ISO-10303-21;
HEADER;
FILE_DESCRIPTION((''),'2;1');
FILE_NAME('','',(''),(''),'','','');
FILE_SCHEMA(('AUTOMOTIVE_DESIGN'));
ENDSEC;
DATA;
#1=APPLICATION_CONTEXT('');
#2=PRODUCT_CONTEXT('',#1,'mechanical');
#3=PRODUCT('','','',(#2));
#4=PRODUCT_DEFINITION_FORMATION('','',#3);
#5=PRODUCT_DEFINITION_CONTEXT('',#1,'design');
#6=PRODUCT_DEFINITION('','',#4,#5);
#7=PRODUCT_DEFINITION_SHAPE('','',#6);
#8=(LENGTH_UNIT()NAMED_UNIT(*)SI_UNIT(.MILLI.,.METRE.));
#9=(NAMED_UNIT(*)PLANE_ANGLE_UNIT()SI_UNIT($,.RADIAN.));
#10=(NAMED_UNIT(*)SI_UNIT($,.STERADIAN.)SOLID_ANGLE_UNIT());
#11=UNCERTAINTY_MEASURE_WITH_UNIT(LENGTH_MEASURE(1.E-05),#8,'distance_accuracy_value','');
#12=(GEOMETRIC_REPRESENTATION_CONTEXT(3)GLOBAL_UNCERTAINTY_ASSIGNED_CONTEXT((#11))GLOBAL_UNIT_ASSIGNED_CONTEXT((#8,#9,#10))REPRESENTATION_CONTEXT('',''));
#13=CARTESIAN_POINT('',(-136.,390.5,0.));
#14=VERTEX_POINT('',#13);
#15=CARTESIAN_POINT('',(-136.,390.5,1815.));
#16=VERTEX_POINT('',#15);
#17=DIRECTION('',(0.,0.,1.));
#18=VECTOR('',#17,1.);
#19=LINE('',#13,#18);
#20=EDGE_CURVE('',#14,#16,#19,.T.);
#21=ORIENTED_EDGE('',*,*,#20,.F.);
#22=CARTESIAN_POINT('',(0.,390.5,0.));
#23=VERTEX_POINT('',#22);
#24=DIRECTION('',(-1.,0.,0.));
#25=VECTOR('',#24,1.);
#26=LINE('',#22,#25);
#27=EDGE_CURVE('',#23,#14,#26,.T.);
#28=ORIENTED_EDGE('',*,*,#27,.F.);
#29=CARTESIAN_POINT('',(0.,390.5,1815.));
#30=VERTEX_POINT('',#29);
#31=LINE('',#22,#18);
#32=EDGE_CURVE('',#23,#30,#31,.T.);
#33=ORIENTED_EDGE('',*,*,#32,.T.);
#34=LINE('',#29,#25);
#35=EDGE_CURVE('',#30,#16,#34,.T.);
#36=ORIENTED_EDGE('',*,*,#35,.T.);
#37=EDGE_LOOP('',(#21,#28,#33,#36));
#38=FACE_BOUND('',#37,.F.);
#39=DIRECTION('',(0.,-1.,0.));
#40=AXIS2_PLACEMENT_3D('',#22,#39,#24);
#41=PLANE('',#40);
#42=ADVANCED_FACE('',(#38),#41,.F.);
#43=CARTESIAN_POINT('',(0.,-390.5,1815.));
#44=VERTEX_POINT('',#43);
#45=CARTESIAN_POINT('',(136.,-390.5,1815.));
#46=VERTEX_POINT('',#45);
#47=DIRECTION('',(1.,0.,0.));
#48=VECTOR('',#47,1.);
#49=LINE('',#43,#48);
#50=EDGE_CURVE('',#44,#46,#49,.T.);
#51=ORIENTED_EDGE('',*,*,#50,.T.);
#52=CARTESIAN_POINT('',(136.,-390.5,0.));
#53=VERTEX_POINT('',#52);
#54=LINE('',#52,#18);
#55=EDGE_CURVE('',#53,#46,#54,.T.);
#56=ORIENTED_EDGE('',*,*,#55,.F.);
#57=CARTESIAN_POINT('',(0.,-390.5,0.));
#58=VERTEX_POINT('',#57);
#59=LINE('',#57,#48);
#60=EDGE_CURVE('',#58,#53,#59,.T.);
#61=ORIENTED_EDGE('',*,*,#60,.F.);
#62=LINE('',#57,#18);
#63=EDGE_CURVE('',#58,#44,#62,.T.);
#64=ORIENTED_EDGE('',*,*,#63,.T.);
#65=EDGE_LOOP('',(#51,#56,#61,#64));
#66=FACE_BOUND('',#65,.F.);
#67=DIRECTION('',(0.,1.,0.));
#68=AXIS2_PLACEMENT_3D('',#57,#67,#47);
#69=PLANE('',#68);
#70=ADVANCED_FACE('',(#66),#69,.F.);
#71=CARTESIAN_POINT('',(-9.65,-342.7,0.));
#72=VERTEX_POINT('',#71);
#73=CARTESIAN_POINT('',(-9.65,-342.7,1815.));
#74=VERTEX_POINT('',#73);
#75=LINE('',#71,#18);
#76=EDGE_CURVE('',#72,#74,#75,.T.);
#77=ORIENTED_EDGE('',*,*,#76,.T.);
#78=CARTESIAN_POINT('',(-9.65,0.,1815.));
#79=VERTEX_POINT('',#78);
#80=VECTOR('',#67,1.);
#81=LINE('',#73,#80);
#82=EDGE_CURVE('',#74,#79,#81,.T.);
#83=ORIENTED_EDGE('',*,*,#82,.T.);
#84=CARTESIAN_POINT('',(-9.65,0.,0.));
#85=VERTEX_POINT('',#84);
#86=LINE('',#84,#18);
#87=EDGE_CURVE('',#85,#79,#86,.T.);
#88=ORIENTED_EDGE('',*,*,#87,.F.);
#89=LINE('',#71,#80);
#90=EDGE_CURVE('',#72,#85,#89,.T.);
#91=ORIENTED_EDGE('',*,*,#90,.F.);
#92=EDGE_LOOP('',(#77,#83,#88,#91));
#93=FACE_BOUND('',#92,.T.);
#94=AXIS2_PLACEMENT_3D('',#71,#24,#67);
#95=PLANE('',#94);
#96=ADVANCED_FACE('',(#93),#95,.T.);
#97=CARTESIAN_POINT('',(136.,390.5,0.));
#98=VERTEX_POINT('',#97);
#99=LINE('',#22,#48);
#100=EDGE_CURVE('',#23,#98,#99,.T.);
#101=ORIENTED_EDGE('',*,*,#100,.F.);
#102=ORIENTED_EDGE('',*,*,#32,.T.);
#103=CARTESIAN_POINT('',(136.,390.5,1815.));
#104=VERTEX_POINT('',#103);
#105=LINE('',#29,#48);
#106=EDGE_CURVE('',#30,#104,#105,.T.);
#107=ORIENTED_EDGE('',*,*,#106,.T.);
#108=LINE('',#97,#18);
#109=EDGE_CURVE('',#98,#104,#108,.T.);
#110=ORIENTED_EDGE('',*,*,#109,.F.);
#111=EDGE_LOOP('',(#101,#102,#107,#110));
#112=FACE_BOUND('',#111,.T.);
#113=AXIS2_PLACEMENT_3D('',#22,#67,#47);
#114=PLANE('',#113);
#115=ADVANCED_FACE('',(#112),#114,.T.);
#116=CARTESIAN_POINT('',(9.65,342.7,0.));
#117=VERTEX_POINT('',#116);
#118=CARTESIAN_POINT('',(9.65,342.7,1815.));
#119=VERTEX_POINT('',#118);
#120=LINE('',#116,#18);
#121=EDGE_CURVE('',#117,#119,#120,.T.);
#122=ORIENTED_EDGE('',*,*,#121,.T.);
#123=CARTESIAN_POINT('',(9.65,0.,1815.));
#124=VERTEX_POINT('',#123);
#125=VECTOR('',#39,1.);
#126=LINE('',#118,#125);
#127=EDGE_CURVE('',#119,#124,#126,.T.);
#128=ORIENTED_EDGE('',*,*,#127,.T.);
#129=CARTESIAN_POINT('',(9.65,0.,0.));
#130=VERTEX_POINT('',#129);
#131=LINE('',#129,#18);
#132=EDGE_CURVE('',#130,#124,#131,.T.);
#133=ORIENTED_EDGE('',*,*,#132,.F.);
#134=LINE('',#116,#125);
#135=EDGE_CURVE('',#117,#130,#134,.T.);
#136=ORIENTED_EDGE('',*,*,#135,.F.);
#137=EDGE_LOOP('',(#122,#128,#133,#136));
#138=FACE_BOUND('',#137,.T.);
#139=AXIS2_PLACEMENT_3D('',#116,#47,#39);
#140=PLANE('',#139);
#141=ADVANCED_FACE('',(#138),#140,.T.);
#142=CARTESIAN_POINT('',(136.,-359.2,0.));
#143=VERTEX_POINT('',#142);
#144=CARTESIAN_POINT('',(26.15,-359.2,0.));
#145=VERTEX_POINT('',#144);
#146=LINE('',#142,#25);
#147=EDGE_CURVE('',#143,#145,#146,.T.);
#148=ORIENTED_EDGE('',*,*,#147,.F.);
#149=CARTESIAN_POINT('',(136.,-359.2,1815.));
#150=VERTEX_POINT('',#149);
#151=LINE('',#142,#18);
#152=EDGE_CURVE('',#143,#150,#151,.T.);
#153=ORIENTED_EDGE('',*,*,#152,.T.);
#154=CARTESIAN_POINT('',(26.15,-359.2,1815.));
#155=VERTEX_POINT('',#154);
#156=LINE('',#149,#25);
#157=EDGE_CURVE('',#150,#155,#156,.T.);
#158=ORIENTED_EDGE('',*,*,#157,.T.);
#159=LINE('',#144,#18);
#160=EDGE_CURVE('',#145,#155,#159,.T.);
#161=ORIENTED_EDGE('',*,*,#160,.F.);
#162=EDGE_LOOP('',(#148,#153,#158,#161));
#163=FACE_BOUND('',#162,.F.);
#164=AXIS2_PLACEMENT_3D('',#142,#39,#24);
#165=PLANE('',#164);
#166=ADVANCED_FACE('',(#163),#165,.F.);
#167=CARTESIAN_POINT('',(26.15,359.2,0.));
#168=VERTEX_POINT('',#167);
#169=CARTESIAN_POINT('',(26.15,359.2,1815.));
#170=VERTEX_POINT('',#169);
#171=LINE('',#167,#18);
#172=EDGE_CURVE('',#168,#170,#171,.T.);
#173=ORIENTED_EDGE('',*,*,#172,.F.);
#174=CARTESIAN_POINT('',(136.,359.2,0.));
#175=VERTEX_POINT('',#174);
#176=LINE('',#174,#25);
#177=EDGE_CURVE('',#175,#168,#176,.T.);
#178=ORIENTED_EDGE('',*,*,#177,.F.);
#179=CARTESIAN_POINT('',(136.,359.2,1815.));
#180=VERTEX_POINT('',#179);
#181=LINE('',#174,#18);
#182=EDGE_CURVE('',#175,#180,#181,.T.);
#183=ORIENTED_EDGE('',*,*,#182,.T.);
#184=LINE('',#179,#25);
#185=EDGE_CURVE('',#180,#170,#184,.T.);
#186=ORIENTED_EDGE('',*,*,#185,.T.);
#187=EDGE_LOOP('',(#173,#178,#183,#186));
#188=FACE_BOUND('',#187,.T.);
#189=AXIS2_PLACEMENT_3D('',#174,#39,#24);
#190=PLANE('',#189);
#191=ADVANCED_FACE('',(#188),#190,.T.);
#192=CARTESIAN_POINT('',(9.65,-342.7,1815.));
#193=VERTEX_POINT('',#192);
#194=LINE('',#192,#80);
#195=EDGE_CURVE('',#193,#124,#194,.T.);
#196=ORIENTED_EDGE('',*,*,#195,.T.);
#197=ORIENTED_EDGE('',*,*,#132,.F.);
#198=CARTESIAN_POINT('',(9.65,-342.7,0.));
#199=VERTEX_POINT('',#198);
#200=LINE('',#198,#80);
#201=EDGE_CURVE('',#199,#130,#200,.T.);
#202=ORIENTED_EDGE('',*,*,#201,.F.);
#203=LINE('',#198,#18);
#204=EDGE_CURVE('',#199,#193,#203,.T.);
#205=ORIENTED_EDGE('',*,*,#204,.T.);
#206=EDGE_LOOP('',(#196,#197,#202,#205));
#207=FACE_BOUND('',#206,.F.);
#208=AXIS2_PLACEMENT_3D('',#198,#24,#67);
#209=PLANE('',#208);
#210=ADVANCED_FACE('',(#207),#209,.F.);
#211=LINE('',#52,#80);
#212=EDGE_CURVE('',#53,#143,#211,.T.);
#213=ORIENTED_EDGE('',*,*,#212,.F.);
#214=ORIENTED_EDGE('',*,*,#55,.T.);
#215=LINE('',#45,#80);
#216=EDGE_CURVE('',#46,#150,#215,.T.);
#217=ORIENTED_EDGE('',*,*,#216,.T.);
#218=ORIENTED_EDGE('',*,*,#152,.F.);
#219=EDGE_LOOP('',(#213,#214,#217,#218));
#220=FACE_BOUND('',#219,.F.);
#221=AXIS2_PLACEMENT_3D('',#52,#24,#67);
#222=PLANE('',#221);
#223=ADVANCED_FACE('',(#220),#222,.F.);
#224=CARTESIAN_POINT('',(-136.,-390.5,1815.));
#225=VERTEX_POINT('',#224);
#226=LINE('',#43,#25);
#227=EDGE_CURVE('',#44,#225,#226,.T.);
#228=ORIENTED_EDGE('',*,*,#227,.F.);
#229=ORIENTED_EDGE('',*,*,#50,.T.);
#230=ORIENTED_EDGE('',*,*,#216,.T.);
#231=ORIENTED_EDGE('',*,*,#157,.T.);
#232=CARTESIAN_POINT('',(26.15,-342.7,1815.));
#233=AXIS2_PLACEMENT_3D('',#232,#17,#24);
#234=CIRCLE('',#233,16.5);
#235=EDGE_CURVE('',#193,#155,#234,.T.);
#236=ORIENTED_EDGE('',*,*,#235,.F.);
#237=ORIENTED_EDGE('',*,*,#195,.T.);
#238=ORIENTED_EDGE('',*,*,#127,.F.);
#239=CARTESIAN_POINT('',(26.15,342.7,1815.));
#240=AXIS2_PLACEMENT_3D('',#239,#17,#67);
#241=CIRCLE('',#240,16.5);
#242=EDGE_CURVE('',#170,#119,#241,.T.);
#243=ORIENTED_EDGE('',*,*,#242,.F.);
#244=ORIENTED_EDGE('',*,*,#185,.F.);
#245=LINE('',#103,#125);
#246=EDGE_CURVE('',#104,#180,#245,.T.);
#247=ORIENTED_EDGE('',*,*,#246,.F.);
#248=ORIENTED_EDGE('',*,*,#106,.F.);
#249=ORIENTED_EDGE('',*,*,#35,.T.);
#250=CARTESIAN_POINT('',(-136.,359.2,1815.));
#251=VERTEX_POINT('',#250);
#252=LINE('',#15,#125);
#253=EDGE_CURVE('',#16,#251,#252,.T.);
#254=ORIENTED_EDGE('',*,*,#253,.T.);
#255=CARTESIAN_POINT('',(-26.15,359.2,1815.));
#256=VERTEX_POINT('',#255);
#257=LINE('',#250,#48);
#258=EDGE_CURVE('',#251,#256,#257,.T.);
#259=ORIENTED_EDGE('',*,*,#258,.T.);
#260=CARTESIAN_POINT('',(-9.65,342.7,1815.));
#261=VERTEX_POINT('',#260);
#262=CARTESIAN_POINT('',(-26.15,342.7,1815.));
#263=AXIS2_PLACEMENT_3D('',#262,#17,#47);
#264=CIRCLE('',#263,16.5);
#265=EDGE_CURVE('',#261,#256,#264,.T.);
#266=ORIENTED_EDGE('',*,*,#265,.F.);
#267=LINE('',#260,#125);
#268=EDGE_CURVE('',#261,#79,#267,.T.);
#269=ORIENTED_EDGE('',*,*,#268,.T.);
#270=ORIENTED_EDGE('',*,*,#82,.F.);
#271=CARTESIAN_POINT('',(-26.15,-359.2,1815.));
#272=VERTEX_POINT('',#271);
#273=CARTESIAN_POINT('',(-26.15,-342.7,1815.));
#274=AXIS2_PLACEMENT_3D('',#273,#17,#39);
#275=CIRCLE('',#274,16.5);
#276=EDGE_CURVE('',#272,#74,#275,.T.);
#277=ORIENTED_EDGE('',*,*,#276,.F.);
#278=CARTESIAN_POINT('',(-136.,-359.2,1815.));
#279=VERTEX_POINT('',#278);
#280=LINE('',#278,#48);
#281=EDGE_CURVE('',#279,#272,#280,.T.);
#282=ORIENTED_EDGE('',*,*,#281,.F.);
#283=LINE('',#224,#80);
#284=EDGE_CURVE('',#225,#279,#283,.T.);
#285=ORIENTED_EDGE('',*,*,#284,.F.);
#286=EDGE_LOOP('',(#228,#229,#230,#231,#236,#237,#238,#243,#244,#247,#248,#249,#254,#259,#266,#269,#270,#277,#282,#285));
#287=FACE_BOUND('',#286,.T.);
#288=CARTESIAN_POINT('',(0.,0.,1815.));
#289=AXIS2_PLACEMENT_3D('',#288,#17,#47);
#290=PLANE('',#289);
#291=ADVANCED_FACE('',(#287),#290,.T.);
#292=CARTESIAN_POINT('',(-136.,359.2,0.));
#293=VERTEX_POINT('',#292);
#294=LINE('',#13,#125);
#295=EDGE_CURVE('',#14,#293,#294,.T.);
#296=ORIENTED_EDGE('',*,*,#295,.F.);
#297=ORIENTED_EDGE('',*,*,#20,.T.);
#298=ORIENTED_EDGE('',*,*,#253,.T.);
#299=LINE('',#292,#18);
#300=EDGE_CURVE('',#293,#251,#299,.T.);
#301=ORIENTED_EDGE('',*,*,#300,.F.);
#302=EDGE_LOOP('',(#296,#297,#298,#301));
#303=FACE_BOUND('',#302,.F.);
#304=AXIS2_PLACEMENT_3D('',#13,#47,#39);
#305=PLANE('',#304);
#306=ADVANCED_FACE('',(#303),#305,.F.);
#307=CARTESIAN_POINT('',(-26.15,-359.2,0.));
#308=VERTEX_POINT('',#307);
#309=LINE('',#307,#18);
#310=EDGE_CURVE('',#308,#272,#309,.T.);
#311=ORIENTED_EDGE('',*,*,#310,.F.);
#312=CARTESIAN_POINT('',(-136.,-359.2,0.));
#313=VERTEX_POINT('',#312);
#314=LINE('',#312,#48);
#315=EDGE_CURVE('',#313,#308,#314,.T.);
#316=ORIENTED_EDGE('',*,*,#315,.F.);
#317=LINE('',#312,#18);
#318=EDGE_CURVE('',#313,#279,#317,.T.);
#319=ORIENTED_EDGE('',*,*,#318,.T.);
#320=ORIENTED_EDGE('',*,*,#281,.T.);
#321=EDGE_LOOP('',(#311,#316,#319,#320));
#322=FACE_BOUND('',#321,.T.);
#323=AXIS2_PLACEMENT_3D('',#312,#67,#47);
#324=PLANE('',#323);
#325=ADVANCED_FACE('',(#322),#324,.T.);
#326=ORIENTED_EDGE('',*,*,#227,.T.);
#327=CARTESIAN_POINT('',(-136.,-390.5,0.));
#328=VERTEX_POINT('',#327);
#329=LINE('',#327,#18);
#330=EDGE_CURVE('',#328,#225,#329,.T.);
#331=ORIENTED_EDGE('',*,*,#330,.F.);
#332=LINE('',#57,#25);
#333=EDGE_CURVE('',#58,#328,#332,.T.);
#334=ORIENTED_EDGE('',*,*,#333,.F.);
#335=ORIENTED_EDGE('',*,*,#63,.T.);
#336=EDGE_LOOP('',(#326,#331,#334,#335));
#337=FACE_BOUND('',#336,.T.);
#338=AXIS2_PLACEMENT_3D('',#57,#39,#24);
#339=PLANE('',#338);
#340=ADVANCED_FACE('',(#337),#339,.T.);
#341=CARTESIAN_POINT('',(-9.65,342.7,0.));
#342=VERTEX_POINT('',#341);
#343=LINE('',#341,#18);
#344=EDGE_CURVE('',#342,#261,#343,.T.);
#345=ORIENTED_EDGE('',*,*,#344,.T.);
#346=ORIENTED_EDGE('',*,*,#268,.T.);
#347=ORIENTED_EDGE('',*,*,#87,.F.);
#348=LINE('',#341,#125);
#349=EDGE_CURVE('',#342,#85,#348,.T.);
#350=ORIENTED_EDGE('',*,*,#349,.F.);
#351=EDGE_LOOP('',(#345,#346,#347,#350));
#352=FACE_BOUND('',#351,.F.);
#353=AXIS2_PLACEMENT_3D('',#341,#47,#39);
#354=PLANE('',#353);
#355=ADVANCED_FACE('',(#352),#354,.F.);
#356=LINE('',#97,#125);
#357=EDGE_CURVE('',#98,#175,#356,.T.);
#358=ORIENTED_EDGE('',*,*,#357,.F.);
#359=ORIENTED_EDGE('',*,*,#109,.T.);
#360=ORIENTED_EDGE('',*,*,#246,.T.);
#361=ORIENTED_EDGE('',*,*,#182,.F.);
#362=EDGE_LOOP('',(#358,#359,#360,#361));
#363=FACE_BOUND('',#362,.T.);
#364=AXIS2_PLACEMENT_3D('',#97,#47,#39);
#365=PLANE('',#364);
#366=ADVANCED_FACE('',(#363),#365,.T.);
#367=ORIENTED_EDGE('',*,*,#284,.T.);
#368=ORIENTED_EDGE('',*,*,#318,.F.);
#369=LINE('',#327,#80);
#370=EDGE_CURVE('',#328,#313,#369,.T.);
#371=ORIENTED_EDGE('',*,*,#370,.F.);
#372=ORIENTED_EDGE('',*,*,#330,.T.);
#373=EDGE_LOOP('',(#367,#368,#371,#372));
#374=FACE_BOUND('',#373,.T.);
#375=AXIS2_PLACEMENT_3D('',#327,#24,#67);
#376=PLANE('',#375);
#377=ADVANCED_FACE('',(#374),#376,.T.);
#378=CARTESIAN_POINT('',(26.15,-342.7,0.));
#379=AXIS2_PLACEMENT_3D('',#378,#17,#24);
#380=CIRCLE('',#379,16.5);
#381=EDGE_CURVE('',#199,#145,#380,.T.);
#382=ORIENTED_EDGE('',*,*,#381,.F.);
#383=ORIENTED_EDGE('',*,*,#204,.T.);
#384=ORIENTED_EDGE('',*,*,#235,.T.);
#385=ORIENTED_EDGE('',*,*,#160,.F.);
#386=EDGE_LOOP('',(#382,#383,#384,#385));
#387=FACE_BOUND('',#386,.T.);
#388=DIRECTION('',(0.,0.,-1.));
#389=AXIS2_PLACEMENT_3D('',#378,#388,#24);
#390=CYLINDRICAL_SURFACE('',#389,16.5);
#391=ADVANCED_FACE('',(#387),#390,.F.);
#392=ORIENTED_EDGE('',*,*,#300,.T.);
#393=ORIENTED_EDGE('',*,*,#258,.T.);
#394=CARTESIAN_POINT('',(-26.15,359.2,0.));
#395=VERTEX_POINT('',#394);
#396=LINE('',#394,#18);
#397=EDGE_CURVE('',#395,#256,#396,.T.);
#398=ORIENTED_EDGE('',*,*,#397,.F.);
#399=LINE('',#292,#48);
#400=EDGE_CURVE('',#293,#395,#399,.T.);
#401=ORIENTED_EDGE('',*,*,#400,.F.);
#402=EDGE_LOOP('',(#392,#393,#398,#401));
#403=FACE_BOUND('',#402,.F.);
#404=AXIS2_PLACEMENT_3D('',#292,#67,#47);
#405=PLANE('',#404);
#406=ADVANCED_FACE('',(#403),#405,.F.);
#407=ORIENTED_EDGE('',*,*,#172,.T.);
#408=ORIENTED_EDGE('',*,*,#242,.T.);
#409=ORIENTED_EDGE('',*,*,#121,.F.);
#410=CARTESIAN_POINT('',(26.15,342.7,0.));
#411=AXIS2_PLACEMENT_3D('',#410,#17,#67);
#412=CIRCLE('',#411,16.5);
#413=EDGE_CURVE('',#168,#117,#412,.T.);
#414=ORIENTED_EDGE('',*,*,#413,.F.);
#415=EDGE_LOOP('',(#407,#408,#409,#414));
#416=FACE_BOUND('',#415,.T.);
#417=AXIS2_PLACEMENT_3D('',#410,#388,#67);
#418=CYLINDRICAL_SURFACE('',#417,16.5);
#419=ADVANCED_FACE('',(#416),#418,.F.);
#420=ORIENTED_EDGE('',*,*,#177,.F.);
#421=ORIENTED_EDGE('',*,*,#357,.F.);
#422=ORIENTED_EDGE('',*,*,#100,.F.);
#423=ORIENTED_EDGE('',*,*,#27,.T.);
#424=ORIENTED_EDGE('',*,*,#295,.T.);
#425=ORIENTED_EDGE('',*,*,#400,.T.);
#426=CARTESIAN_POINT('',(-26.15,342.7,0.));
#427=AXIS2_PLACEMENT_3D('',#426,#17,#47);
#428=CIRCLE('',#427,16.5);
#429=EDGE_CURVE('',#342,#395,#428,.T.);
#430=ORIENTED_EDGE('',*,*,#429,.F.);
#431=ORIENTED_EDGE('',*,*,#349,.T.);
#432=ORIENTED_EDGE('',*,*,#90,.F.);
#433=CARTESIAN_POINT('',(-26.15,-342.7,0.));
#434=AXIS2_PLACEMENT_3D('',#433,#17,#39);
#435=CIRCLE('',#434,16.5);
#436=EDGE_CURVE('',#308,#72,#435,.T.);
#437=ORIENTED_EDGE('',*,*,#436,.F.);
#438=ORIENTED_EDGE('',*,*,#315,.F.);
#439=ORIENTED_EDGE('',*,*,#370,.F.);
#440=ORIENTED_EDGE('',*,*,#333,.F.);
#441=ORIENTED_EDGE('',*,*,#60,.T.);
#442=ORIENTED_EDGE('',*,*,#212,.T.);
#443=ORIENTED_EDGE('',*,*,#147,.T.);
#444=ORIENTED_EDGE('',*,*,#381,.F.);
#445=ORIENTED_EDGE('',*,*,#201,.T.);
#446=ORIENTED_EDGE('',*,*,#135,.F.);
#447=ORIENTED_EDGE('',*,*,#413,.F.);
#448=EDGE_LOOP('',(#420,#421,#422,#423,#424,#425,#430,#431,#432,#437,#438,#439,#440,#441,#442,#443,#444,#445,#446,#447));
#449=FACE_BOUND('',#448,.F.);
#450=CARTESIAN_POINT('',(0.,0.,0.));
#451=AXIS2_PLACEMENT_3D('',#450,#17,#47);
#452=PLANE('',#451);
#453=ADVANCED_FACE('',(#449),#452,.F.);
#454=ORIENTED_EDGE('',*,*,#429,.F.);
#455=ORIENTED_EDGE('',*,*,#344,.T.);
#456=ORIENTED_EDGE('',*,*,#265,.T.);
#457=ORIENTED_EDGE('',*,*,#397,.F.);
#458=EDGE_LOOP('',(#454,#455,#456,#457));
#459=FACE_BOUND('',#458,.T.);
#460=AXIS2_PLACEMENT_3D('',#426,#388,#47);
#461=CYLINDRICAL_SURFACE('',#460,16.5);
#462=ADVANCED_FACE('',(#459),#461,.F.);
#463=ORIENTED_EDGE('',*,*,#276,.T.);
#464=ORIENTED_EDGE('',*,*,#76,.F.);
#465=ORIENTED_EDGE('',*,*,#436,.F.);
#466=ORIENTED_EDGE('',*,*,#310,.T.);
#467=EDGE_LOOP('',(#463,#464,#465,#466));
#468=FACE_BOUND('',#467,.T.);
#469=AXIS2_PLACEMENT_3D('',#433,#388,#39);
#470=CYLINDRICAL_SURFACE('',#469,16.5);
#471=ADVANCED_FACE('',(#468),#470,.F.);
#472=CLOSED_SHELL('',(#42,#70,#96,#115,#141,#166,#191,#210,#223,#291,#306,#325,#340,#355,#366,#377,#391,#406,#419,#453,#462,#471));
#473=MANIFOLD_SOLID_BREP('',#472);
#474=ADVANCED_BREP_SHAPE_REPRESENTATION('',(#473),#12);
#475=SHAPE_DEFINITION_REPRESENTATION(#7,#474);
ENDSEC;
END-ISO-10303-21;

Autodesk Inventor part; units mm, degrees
ref_plane "YZ Plane" through (0, 0, 0) normal (1, 0, 0) x (0, 1, 0)
ref_plane "Start plane" through (0, 0, 0) normal (0, 0, 1) x (1, 0, 0)
ref_plane "End plane" through (0, 0, 1815) normal (0, 0, 1) x (1, 0, 0)
sketch "Sketch" plane through (0, 0, 0) normal (0, 0, 1) x (1, 0, 0)
  line L0 (-136, -390.5) -> (-136, -359.2)
  line L1 (-136, -359.2) -> (-26.15, -359.2)
  line L2 (-9.65, -342.7) -> (-9.65, 0)
  line L3 (-9.65, 0) -> (0, 0) construction
  line L4 (0, 0) -> (0, -390.5) construction
  line L5 (0, -390.5) -> (-136, -390.5)
  line L6 (-60, 0) -> (80, 0) construction
  line L7 (0, -60) -> (0, 80) construction
  line L8 (136, -390.5) -> (136, -359.2)
  line L9 (136, -359.2) -> (26.15, -359.2)
  line L10 (9.65, -342.7) -> (9.65, 0)
  line L11 (9.65, 0) -> (0, 0) construction
  line L12 (0, -390.5) -> (136, -390.5)
  line L13 (-136, 390.5) -> (-136, 359.2)
  line L14 (-136, 359.2) -> (-26.15, 359.2)
  line L15 (-9.65, 342.7) -> (-9.65, 0)
  line L16 (0, 390.5) -> (-136, 390.5)
  line L17 (136, 390.5) -> (136, 359.2)
  line L18 (136, 359.2) -> (26.15, 359.2)
  line L19 (0, 390.5) -> (136, 390.5)
  line L20 (9.65, 342.7) -> (9.65, 0)
  arc A0 (-9.65, 342.7) -> (-26.15, 359.2) centre (-26.15, 342.7) ccw
  arc A1 (26.15, 359.2) -> (9.65, 342.7) centre (26.15, 342.7) ccw
  arc A2 (9.65, -342.7) -> (26.15, -359.2) centre (26.15, -342.7) ccw
  arc A3 (-26.15, -359.2) -> (-9.65, -342.7) centre (-26.15, -342.7) ccw
  line L21 (0, 108) -> (0, -88) construction
  line L22 (-88, 0) -> (108, 0) construction
  point P0 (-9.65, -359.2)
  point P1 (9.65, -359.2)
  point P2 (-9.65, 359.2)
  point P3 (9.65, 359.2)
  dimension "d1" = 390.5
  dimension "d2" = 31.3
  dimension "d3" = 136
  dimension "d4" = 9.65
  dimension "d10" = 16.5
extrude "Body" add sketch "Sketch" along normal up to surface (1815 mm away) from surface at 0
sketch "Sketch4" plane through (0, 0, 0) normal (0, 0, 1) x (1, 0, 0)
  line L0 (0, 0) -> (10, 0)
ref_plane "Work Plane3" through (0, 0, 0) normal (0, -1, 0) x (1, 0, 0)
sketch "Sketch5" plane through (0, 0, 0) normal (0, -1, 0) x (1, 0, 0)
  line L0 (-2, 0) -> (12, 0) projected
  line L1 (-2, 1815) -> (12, 1815) projected
  dimension "d14" = 1815
equation "\"d1\" = 0.5 * G_H"
equation "\"d2\" = G_T1"
equation "\"d3\" = 0.5 * G_W"
equation "\"d4\" = 0.5 * G_T"
equation "\"d10\" = G_IR"
equation "\"d5\" = G_L"
equation "\"G_W\" = 272"
equation "\"G_H\" = 781"
equation "\"G_T\" = 19.3"
equation "\"G_T1\" = 31.3"
equation "\"G_IR\" = 16.5"
equation "\"G_L\" = d14"
equation "\"G_OFFSET_START\" = 0"
equation "\"G_OFFSET_END\" = 0"
equation "\"d12\" = G_OFFSET_END + B_L"
equation "\"B_L\" = 1815"
properties part number "AS 3679-1990 - 760 UB - 244 - 1815" material "Steel, Mild"
